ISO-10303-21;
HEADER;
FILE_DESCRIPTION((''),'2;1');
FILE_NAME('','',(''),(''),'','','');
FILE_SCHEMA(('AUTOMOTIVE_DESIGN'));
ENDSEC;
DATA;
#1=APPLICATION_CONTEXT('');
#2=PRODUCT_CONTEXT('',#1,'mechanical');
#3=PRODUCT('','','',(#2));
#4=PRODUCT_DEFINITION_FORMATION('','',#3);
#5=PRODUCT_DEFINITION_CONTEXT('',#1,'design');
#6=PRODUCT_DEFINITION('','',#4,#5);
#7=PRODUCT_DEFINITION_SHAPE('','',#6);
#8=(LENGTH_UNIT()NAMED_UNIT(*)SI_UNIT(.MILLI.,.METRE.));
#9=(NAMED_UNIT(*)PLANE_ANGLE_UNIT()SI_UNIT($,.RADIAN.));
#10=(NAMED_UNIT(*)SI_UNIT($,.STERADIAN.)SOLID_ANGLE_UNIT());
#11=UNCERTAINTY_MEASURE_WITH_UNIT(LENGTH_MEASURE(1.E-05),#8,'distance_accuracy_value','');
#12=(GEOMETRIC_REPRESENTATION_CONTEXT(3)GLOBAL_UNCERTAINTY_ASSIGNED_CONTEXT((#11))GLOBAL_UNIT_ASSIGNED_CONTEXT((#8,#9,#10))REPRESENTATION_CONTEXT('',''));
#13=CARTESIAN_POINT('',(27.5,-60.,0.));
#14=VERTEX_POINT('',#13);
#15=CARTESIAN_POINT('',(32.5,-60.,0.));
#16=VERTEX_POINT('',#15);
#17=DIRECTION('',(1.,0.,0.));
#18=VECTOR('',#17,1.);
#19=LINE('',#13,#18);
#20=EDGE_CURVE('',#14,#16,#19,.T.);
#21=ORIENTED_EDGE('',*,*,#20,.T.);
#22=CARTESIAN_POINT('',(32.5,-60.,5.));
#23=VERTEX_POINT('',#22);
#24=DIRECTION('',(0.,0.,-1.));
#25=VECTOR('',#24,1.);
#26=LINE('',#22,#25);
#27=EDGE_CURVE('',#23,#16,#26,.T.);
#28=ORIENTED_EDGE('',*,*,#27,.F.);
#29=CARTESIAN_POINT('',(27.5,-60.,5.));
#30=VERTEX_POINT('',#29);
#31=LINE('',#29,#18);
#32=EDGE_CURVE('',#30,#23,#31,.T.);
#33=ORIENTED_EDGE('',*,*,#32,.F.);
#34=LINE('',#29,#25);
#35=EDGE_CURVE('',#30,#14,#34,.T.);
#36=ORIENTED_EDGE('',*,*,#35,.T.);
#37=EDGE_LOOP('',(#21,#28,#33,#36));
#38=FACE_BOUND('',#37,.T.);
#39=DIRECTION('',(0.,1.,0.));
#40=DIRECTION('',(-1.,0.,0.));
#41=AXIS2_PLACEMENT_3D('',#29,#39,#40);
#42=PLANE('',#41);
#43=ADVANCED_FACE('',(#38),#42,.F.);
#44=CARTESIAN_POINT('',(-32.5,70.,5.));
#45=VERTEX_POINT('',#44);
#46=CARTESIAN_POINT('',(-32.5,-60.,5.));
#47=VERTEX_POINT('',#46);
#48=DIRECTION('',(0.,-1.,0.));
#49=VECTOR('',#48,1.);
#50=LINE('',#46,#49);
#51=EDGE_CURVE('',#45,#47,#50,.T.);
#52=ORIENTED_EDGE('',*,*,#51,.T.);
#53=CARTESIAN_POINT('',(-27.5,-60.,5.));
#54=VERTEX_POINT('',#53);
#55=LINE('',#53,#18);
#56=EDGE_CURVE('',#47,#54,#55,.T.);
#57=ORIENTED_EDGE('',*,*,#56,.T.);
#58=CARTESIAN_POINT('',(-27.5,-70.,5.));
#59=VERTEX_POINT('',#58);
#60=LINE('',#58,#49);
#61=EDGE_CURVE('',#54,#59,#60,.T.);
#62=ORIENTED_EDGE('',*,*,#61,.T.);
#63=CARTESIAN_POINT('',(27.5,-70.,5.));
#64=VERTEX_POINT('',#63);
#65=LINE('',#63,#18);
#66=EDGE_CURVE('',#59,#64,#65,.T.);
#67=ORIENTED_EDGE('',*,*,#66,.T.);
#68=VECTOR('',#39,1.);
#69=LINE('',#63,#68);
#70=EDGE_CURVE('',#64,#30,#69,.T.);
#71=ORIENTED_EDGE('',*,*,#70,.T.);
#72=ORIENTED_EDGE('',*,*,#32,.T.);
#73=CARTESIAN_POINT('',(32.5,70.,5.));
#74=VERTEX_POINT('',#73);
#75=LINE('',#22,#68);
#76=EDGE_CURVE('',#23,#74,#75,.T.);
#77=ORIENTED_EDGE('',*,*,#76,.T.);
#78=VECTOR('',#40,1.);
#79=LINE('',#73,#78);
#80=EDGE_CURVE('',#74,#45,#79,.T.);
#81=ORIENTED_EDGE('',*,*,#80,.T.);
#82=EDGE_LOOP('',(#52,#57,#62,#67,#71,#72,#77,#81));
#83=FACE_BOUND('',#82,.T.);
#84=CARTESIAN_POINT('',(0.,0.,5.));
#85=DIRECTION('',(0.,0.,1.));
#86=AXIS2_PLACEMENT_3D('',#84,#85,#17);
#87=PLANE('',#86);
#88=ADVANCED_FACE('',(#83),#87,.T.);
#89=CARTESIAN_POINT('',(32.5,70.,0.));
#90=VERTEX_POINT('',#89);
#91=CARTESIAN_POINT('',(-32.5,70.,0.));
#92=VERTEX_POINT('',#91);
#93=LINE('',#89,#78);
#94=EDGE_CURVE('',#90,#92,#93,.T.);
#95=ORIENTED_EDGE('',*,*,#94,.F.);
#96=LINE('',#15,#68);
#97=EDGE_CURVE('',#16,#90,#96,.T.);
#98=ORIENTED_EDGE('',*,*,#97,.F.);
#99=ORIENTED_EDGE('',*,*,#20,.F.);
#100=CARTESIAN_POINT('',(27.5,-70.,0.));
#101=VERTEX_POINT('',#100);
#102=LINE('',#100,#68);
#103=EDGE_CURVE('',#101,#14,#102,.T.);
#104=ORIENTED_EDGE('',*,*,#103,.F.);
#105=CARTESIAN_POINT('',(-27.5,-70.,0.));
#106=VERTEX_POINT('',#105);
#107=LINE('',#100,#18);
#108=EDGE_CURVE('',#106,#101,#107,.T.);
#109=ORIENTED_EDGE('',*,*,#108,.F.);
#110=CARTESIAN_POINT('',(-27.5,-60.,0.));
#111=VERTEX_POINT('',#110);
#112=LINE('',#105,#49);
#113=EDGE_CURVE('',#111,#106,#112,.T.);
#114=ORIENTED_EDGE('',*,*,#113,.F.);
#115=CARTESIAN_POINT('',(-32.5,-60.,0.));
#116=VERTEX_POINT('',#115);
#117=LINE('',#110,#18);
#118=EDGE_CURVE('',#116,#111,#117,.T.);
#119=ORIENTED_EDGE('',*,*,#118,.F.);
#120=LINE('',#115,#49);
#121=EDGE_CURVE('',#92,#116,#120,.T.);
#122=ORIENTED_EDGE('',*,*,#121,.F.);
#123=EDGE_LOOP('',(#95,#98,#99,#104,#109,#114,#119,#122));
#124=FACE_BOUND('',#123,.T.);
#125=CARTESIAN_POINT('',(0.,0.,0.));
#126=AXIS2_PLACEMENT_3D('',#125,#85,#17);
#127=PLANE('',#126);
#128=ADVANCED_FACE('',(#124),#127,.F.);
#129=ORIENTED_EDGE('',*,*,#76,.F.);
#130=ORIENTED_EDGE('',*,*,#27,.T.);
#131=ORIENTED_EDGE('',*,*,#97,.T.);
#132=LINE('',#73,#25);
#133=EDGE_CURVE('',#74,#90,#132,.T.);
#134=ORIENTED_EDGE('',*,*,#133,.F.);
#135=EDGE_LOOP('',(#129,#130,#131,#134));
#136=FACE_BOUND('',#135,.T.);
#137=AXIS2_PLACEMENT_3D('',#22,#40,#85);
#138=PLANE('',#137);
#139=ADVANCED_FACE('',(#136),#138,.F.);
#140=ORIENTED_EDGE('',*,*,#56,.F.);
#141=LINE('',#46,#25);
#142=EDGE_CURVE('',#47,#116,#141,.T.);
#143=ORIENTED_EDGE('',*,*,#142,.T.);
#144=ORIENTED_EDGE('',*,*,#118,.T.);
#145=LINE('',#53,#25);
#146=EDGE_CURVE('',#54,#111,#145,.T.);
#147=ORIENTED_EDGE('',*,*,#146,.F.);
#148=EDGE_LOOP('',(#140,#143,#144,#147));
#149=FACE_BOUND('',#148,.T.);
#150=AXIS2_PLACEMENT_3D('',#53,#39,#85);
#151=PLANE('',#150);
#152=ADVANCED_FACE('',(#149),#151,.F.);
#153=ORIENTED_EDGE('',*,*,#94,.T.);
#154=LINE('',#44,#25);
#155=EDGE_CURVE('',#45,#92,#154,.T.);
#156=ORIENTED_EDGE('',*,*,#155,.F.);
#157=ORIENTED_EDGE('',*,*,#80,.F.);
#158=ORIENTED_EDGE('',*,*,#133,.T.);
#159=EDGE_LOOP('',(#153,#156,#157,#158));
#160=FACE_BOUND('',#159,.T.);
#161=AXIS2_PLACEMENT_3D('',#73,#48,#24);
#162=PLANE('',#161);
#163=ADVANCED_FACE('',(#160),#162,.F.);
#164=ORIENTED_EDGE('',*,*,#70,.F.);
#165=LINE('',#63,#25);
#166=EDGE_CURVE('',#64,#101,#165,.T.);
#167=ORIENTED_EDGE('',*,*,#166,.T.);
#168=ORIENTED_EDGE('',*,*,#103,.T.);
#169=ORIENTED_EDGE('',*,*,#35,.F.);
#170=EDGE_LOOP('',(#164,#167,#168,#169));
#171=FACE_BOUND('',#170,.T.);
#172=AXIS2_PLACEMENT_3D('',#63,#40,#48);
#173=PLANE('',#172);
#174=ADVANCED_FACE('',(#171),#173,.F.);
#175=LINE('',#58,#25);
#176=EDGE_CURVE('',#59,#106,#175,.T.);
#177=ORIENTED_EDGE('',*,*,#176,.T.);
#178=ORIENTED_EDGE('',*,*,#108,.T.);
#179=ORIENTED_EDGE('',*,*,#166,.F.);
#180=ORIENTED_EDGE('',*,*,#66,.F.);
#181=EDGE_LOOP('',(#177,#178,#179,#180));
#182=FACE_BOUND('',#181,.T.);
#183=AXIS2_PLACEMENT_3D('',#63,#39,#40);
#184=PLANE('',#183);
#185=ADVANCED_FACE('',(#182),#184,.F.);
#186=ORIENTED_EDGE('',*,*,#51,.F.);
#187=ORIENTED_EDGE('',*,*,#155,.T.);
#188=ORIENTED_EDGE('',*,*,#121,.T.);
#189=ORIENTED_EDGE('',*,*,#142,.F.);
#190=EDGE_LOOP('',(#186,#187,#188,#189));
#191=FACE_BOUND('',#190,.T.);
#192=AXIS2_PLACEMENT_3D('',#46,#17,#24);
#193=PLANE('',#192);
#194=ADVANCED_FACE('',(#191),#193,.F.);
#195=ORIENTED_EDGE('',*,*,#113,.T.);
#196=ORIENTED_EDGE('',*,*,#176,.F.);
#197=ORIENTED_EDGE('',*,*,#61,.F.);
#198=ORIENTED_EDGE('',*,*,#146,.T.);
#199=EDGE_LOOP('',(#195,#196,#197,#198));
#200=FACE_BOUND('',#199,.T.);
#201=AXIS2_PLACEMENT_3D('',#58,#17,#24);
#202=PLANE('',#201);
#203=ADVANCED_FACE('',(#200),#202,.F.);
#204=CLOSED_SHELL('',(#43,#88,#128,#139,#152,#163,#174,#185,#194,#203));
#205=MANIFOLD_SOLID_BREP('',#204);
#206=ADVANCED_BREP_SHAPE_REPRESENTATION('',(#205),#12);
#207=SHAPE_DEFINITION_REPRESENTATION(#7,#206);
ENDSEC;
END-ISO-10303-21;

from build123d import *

# Parameters (mm, degrees)
EXTRUDE_1_DEPTH = 5


with BuildPart() as part:
    # 草图1 → 凸台-拉伸1 (new body)
    with BuildSketch(Plane.XY):
        Polygon((27.5, -70), (-27.5, -70), (-27.5, -60), (-32.5, -60), (-32.5, 70), (32.5, 70), (32.5, -60), (27.5, -60), align=None)
    extrude(amount=EXTRUDE_1_DEPTH)


solid = part.part
